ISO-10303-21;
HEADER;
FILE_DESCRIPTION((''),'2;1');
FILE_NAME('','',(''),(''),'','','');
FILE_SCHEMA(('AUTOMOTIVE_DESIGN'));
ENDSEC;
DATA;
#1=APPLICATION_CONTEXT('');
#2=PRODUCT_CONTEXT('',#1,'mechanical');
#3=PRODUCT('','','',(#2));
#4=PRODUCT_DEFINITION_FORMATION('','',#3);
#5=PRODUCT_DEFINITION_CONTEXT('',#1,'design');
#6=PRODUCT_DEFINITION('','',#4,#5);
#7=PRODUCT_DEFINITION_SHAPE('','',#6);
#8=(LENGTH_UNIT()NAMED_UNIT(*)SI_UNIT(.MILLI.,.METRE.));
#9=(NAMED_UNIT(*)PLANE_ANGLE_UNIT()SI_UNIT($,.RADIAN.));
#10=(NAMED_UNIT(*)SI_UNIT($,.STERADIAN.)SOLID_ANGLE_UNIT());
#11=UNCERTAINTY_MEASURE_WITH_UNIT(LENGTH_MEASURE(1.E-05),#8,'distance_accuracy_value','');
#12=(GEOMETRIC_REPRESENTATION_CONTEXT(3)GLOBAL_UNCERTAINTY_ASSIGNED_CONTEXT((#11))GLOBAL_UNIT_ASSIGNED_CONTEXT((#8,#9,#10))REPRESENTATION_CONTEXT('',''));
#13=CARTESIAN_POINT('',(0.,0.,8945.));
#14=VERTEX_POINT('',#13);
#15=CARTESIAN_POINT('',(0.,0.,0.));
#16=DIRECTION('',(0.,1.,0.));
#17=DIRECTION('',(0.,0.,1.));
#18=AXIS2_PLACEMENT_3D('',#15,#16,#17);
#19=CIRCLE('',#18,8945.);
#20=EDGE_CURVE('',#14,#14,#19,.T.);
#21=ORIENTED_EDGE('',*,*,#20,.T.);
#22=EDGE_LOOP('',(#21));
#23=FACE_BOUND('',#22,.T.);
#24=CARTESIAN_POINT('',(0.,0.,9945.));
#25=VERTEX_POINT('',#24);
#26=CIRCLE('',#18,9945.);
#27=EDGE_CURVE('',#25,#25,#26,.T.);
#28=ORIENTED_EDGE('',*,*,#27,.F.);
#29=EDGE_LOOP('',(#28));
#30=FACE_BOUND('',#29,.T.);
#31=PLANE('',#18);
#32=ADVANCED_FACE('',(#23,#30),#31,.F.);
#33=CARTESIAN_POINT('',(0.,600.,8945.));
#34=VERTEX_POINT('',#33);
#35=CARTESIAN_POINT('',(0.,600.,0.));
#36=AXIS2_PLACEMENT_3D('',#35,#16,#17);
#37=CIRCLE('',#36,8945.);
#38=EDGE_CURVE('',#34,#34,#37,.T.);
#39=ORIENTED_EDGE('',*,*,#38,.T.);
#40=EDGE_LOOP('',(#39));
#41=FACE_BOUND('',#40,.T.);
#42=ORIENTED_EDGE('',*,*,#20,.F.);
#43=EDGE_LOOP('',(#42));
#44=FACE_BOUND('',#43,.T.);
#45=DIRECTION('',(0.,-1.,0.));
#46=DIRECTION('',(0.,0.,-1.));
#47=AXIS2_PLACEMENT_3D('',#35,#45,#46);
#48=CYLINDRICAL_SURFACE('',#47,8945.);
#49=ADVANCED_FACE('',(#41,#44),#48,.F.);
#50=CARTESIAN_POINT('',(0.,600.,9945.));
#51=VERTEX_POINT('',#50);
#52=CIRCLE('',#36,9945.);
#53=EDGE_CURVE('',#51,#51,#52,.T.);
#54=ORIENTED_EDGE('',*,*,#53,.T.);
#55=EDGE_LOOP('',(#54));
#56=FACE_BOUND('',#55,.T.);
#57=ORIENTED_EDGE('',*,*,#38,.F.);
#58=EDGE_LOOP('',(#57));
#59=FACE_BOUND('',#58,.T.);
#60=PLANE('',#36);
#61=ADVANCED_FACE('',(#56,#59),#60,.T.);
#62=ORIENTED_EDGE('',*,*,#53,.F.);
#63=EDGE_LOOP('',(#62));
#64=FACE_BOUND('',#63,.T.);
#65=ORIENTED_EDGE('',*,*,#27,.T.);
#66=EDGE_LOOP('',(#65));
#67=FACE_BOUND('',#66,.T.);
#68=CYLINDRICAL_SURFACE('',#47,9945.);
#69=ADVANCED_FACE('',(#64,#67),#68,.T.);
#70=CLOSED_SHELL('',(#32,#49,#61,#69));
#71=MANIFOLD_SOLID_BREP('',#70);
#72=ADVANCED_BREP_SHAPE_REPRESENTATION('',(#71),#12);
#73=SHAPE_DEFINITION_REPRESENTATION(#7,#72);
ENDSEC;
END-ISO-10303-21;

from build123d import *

# Parameters (mm, degrees)
SKETCH1_R           = 9945
SKETCH1_R_2         = 8945
BOSS_EXTRUDE1_DEPTH = 600


with BuildPart() as part:
    # Sketch1 → Boss-Extrude1 (new body)
    with BuildSketch(Plane(origin=(0, 0, 0), x_dir=(1, 0, 0), z_dir=(0, 1, 0))):
        with Locations(Location((0, 0, 0), (0, 0, 270))):
            Circle(SKETCH1_R)
        with Locations(Location((0, 0, 0), (0, 0, 270))):
            Circle(SKETCH1_R_2, mode=Mode.SUBTRACT)
    extrude(amount=BOSS_EXTRUDE1_DEPTH)


solid = part.part
